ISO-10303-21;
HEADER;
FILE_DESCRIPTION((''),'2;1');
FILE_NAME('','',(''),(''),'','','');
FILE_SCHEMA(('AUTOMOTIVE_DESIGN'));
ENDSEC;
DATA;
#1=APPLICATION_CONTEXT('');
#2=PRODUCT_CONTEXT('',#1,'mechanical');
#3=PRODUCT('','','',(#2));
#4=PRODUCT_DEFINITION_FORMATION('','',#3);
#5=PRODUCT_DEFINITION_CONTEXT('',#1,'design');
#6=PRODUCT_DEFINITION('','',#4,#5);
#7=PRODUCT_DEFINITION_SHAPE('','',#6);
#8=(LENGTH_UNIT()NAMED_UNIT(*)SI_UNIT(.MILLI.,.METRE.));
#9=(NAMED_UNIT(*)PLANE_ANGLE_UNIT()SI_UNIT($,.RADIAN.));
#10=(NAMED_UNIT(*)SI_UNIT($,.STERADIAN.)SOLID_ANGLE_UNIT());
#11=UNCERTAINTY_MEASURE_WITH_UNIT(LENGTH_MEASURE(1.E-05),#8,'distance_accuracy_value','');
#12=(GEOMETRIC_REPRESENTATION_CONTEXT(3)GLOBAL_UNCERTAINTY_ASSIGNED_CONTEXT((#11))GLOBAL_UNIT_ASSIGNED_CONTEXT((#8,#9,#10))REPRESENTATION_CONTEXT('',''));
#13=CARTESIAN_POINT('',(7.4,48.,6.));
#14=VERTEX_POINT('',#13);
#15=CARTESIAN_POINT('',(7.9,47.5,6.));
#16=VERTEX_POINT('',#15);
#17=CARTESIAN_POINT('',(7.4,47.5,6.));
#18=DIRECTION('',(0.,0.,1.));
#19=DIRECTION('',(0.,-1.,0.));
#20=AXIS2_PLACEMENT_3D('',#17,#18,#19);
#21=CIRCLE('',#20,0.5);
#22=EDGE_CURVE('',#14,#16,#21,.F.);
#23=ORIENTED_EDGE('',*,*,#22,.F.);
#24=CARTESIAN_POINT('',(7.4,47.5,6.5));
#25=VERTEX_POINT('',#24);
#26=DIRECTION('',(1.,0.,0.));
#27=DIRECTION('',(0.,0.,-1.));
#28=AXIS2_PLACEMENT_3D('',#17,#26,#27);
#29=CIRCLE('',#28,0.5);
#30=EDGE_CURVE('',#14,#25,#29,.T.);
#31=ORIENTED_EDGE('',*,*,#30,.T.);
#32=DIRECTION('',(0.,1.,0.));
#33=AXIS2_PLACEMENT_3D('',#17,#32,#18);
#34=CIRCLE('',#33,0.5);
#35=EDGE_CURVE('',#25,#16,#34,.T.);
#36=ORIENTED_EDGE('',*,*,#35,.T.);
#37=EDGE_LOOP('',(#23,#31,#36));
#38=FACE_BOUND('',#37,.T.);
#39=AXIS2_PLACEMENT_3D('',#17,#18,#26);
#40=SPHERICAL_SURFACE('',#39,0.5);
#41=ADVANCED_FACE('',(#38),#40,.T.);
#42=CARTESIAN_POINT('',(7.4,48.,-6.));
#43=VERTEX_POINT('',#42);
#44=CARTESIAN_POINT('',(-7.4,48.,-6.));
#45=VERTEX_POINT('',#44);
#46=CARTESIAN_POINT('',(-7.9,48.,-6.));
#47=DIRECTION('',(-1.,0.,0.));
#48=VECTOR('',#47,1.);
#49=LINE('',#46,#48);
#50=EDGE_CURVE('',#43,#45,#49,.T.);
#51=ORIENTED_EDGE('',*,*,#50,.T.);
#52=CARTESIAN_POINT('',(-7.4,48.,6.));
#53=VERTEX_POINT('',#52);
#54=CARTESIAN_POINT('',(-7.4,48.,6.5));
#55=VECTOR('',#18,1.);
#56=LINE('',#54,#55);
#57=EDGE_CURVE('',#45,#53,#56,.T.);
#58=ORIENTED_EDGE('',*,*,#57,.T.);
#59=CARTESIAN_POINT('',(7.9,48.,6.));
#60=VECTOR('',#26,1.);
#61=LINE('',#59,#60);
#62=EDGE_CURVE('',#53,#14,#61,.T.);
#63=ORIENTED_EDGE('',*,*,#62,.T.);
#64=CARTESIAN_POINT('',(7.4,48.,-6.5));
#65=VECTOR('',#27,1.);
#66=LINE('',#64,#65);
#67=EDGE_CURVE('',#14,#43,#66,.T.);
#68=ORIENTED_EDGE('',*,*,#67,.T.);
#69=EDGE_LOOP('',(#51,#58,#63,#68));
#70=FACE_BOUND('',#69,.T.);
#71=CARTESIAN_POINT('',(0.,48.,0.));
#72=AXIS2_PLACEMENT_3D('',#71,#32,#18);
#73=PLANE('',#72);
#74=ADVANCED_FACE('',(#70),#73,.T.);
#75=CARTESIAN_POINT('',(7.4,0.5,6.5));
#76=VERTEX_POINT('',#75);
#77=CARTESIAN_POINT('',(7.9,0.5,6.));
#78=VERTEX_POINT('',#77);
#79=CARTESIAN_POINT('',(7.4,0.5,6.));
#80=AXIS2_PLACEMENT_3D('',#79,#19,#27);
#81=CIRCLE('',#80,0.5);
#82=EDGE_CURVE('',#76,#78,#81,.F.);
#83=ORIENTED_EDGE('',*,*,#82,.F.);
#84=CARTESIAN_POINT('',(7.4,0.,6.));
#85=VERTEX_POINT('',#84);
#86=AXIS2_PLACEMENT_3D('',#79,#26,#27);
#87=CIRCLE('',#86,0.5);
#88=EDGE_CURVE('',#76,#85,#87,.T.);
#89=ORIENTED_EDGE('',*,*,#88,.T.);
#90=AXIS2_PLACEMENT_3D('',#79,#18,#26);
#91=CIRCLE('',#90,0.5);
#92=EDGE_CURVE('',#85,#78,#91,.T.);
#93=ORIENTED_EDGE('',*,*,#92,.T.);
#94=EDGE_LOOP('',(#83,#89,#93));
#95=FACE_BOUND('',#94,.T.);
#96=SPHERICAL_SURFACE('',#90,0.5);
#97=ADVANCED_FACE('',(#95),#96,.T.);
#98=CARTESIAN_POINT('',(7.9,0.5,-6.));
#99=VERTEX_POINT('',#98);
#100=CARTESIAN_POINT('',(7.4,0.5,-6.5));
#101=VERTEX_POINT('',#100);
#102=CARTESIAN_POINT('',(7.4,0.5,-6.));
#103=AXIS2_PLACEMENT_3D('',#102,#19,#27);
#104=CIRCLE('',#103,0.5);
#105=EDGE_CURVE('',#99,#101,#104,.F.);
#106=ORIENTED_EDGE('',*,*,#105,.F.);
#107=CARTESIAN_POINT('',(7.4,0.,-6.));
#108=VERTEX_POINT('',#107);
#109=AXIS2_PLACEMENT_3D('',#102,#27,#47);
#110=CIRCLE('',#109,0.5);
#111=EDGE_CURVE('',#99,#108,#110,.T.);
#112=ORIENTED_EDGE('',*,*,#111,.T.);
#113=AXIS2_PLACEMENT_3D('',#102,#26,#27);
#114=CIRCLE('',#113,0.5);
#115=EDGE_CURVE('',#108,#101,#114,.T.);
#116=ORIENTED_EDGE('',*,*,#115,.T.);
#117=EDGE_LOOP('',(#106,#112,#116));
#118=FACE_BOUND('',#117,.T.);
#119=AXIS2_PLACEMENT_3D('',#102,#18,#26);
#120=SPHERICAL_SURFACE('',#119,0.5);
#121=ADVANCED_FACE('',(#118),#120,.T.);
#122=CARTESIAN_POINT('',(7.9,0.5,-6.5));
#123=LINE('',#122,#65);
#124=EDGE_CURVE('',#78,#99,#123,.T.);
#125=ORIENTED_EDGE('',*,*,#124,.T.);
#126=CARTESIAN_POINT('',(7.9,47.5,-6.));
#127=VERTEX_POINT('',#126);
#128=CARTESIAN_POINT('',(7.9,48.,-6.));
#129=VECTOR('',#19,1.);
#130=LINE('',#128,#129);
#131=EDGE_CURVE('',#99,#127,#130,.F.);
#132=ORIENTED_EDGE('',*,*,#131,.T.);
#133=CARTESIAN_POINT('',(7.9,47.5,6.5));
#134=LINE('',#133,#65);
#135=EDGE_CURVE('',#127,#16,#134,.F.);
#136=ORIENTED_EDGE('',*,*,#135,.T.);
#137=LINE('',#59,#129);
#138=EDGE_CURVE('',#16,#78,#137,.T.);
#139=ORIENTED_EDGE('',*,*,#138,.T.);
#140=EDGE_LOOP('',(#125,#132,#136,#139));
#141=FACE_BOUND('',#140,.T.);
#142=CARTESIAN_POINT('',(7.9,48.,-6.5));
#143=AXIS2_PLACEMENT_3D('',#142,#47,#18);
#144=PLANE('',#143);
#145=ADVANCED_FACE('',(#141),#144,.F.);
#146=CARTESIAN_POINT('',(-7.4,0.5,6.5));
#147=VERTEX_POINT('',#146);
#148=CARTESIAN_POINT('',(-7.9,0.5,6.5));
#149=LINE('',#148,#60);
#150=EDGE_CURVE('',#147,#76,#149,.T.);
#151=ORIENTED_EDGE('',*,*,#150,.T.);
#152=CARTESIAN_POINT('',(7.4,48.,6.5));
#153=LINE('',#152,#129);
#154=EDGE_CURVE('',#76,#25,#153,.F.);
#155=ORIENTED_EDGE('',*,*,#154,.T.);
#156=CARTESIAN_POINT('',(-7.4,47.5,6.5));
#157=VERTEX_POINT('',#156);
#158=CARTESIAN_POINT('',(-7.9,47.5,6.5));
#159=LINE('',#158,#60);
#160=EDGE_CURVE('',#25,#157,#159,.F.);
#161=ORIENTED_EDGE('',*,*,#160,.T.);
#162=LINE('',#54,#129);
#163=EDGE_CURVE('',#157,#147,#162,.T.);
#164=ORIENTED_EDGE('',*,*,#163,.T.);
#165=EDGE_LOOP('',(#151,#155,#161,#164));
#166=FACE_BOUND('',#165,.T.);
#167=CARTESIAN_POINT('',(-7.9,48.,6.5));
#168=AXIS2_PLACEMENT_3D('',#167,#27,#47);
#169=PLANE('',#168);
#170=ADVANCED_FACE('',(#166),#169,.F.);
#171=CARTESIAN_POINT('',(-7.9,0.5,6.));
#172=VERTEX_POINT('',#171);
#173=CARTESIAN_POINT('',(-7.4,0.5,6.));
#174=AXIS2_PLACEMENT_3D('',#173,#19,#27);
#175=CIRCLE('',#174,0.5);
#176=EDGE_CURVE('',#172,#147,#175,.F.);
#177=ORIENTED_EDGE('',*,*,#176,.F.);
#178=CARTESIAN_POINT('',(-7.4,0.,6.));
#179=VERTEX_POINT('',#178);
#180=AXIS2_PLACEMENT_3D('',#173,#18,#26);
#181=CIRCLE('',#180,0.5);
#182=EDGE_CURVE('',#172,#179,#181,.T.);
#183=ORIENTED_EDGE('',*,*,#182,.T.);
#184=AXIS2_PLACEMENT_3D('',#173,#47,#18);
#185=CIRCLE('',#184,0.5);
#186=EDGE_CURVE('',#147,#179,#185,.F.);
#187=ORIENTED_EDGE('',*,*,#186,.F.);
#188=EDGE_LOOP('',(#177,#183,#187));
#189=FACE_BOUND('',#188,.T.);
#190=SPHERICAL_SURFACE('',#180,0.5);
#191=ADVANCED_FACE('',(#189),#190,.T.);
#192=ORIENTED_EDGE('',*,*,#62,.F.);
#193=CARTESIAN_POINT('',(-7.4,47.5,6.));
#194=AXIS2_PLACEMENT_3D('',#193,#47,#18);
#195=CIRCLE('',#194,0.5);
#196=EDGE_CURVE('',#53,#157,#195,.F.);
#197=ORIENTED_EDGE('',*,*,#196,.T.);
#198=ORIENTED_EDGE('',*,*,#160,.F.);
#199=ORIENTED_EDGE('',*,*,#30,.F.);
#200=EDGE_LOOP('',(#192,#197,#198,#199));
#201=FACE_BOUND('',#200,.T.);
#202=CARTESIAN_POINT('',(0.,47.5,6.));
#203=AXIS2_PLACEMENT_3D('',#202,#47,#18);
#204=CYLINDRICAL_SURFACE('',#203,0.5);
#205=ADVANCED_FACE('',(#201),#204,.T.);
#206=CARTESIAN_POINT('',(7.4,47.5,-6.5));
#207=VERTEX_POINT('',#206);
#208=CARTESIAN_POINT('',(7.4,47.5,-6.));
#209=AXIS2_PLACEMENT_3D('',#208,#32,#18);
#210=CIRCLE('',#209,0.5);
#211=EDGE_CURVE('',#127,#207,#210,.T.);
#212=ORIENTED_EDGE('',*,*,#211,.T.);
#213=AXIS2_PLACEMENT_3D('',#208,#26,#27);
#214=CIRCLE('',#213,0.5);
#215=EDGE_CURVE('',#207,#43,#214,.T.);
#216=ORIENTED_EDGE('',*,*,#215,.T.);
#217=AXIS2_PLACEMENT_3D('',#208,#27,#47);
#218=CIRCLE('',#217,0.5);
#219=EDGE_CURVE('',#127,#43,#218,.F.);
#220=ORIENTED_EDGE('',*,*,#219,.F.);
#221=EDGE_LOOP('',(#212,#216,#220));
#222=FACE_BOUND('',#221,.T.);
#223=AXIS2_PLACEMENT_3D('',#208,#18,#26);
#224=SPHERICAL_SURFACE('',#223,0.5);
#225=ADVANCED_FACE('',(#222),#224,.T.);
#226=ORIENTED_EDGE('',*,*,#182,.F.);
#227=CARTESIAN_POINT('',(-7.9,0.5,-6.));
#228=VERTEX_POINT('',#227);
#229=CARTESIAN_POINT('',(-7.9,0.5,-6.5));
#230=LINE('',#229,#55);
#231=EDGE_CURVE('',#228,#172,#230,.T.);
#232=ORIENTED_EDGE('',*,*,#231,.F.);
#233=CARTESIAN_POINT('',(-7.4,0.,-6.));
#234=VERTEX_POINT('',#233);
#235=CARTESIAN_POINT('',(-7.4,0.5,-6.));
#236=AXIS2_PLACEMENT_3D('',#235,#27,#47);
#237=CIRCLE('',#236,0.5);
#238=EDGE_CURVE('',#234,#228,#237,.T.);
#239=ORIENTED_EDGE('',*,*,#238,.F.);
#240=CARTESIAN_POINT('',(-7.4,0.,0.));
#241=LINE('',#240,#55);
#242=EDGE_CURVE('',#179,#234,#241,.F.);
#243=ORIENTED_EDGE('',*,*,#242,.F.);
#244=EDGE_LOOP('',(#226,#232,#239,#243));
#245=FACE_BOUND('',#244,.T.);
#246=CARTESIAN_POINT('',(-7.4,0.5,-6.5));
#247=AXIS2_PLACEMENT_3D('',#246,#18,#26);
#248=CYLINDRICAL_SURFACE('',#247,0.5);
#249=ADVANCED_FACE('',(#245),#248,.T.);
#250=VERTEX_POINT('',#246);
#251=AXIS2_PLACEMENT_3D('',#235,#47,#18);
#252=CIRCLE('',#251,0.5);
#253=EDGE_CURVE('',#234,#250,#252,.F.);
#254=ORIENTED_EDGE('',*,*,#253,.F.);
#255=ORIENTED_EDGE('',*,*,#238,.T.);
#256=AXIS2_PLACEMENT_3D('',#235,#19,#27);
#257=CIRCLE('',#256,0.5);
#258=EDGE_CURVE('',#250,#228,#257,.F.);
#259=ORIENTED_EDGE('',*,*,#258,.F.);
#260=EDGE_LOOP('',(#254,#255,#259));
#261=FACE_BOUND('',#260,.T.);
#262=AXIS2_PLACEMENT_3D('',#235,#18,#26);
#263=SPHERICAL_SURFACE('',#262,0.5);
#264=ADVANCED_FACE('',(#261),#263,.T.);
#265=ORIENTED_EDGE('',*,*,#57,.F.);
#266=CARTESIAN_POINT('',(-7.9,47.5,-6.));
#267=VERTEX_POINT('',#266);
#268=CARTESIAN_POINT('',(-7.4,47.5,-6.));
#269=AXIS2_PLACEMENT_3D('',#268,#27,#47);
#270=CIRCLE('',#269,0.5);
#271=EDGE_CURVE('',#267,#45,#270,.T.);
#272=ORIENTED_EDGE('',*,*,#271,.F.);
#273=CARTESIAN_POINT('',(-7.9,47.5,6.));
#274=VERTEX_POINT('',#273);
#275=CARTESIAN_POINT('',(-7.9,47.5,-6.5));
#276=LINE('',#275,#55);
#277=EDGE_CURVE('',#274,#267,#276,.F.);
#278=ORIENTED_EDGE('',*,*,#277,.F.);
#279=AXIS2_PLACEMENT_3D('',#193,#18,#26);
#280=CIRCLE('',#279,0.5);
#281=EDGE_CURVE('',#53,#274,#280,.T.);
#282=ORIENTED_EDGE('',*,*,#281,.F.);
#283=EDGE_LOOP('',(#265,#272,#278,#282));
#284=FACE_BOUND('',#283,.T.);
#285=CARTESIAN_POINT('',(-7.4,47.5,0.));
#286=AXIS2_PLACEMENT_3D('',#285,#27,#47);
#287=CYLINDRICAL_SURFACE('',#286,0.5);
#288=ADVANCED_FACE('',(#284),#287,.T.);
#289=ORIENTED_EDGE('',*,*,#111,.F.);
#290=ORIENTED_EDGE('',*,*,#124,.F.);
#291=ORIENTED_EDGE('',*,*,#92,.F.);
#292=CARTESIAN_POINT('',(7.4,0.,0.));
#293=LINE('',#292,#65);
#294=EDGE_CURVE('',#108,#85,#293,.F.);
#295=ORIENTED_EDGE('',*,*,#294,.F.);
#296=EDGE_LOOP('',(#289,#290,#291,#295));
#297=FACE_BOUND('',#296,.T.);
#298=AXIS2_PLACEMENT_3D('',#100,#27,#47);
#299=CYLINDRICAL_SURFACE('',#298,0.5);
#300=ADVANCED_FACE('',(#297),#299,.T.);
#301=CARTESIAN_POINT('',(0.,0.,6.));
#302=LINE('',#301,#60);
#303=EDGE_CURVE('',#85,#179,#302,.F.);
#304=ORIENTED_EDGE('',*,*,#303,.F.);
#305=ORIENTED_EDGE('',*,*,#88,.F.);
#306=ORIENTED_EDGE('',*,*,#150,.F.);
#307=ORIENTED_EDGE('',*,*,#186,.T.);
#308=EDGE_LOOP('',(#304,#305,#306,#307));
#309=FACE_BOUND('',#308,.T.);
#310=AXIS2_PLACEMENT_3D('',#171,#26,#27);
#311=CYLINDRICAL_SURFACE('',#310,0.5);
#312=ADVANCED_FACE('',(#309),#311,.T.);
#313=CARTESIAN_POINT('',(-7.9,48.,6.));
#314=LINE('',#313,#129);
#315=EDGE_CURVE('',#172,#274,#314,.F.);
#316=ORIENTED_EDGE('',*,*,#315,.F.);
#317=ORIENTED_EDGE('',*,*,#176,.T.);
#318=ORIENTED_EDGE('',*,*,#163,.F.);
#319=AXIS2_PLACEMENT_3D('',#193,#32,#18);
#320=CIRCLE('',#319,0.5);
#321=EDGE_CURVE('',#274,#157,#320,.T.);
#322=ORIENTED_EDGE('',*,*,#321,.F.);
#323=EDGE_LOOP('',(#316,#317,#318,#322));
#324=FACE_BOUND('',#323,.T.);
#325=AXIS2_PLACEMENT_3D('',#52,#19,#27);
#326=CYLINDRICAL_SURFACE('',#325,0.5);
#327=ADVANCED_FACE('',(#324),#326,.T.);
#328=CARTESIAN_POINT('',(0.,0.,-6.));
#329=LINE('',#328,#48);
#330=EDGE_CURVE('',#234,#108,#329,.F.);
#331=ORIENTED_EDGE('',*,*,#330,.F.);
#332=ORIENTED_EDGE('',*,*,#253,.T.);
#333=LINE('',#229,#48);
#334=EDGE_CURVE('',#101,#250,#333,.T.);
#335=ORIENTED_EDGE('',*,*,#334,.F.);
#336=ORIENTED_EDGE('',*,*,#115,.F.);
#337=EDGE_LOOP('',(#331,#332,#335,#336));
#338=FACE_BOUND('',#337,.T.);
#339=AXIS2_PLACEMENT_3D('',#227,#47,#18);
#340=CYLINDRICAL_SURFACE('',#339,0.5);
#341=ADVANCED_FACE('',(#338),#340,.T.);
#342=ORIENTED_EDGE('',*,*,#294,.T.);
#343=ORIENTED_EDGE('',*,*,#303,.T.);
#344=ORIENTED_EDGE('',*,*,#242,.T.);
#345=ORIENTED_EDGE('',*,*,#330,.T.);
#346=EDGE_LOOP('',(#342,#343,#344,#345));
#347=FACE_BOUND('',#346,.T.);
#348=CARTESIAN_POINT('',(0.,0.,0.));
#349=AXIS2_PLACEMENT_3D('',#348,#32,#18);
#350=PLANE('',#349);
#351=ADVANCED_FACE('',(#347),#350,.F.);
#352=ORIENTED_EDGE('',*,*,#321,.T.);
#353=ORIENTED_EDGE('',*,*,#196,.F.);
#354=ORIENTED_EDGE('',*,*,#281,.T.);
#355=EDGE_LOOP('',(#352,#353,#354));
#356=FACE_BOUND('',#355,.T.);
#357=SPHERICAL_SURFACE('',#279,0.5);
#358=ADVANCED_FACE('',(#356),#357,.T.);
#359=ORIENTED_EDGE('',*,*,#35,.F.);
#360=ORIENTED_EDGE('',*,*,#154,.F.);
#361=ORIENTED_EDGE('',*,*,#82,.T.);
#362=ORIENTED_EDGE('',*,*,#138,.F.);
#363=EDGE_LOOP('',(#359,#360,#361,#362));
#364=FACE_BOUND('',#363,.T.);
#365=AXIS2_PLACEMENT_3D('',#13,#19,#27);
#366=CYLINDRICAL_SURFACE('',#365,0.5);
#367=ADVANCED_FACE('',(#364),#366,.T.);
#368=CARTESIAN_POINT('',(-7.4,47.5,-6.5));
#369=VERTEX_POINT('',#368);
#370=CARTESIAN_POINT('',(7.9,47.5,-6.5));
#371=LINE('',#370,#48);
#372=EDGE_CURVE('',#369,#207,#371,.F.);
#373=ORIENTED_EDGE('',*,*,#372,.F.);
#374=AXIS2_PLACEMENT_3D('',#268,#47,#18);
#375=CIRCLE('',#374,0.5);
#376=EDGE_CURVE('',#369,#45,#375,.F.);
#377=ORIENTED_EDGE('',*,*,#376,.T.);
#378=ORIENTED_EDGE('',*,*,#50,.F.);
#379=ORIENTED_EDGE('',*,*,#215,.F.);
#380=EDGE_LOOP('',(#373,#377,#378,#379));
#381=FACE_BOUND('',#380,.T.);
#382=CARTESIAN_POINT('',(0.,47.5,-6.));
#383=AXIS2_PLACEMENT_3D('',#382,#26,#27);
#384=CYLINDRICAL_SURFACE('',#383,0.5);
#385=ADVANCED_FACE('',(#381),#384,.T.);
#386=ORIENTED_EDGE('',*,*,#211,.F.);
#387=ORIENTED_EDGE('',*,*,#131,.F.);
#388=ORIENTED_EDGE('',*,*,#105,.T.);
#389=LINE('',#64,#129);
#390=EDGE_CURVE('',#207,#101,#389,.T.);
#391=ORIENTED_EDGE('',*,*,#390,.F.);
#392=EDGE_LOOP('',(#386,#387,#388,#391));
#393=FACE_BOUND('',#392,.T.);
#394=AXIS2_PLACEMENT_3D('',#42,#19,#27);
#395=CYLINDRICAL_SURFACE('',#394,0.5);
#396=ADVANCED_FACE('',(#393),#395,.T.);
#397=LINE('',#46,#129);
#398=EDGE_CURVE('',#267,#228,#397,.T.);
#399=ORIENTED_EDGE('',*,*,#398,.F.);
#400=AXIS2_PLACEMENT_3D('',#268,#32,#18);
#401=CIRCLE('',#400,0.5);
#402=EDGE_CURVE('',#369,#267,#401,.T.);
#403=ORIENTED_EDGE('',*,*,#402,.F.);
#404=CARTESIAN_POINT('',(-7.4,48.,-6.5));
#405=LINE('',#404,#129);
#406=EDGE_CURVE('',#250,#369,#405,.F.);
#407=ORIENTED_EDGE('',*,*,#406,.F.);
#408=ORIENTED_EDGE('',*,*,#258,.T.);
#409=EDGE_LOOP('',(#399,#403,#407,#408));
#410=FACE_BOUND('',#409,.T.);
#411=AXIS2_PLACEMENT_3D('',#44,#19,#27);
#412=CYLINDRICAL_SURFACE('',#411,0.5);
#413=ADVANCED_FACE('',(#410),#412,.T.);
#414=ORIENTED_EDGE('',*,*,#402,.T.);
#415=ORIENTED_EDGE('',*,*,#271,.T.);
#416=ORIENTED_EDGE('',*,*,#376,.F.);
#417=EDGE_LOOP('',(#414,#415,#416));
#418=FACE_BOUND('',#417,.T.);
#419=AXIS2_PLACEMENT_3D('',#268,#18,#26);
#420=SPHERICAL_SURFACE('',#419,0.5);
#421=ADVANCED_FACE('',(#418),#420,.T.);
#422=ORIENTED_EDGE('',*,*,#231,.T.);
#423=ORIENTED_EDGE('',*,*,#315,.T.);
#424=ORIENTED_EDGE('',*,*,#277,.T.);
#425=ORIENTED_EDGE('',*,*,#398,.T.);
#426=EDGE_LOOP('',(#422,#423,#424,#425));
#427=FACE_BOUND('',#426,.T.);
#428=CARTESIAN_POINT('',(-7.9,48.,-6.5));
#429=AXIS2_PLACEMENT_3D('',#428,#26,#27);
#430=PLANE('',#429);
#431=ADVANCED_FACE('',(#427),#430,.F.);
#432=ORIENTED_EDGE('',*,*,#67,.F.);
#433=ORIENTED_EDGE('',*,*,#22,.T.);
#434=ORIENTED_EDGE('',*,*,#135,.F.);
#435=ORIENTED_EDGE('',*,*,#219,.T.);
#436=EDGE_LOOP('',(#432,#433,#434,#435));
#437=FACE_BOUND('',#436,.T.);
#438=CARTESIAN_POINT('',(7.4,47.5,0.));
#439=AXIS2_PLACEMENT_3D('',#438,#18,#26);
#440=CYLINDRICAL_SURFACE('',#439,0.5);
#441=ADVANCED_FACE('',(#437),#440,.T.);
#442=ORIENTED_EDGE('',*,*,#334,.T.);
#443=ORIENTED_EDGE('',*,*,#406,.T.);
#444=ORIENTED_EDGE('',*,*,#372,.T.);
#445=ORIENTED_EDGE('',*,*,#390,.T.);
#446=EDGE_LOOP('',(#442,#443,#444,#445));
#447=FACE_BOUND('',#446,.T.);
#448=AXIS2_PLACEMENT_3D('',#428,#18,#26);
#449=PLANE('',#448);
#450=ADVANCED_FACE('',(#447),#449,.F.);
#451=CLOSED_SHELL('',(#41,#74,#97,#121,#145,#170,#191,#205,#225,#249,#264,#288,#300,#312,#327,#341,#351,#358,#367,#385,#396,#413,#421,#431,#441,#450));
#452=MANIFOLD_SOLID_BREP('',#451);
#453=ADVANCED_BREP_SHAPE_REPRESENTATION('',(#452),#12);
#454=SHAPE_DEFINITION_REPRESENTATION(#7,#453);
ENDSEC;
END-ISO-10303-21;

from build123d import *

# Parameters (mm, degrees)
SKIZZE1_W                       = 15.8
SKIZZE1_H                       = 13
AUFSATZ_LINEAR_AUSTRAGEN1_DEPTH = 48
VERRUNDUNG1_R                   = 0.5


with BuildPart() as part:
    # Skizze1 → Aufsatz-Linear austragen1 (new body)
    with BuildSketch(Plane(origin=(0, 0, 0), x_dir=(1, 0, 0), z_dir=(0, 1, 0))):
        Rectangle(SKIZZE1_W, SKIZZE1_H)
    extrude(amount=AUFSATZ_LINEAR_AUSTRAGEN1_DEPTH)

    # Verrundung1
    verrundung1_edges = [part.edges().sort_by_distance(p)[0] for p in [
        (-7.9, 48, 0),
        (0, 48, 6.5),
        (7.9, 48, 0),
        (0, 0, 6.5),
        (-7.9, 0, 0),
        (0, 0, -6.5),
        (7.9, 0, 0),
        (0, 48, -6.5),
        (7.9, 24, 6.5),
        (-7.9, 24, 6.5),
        (-7.9, 24, -6.5),
        (7.9, 24, -6.5),
    ]]
    fillet(verrundung1_edges, radius=VERRUNDUNG1_R)


solid = part.part
